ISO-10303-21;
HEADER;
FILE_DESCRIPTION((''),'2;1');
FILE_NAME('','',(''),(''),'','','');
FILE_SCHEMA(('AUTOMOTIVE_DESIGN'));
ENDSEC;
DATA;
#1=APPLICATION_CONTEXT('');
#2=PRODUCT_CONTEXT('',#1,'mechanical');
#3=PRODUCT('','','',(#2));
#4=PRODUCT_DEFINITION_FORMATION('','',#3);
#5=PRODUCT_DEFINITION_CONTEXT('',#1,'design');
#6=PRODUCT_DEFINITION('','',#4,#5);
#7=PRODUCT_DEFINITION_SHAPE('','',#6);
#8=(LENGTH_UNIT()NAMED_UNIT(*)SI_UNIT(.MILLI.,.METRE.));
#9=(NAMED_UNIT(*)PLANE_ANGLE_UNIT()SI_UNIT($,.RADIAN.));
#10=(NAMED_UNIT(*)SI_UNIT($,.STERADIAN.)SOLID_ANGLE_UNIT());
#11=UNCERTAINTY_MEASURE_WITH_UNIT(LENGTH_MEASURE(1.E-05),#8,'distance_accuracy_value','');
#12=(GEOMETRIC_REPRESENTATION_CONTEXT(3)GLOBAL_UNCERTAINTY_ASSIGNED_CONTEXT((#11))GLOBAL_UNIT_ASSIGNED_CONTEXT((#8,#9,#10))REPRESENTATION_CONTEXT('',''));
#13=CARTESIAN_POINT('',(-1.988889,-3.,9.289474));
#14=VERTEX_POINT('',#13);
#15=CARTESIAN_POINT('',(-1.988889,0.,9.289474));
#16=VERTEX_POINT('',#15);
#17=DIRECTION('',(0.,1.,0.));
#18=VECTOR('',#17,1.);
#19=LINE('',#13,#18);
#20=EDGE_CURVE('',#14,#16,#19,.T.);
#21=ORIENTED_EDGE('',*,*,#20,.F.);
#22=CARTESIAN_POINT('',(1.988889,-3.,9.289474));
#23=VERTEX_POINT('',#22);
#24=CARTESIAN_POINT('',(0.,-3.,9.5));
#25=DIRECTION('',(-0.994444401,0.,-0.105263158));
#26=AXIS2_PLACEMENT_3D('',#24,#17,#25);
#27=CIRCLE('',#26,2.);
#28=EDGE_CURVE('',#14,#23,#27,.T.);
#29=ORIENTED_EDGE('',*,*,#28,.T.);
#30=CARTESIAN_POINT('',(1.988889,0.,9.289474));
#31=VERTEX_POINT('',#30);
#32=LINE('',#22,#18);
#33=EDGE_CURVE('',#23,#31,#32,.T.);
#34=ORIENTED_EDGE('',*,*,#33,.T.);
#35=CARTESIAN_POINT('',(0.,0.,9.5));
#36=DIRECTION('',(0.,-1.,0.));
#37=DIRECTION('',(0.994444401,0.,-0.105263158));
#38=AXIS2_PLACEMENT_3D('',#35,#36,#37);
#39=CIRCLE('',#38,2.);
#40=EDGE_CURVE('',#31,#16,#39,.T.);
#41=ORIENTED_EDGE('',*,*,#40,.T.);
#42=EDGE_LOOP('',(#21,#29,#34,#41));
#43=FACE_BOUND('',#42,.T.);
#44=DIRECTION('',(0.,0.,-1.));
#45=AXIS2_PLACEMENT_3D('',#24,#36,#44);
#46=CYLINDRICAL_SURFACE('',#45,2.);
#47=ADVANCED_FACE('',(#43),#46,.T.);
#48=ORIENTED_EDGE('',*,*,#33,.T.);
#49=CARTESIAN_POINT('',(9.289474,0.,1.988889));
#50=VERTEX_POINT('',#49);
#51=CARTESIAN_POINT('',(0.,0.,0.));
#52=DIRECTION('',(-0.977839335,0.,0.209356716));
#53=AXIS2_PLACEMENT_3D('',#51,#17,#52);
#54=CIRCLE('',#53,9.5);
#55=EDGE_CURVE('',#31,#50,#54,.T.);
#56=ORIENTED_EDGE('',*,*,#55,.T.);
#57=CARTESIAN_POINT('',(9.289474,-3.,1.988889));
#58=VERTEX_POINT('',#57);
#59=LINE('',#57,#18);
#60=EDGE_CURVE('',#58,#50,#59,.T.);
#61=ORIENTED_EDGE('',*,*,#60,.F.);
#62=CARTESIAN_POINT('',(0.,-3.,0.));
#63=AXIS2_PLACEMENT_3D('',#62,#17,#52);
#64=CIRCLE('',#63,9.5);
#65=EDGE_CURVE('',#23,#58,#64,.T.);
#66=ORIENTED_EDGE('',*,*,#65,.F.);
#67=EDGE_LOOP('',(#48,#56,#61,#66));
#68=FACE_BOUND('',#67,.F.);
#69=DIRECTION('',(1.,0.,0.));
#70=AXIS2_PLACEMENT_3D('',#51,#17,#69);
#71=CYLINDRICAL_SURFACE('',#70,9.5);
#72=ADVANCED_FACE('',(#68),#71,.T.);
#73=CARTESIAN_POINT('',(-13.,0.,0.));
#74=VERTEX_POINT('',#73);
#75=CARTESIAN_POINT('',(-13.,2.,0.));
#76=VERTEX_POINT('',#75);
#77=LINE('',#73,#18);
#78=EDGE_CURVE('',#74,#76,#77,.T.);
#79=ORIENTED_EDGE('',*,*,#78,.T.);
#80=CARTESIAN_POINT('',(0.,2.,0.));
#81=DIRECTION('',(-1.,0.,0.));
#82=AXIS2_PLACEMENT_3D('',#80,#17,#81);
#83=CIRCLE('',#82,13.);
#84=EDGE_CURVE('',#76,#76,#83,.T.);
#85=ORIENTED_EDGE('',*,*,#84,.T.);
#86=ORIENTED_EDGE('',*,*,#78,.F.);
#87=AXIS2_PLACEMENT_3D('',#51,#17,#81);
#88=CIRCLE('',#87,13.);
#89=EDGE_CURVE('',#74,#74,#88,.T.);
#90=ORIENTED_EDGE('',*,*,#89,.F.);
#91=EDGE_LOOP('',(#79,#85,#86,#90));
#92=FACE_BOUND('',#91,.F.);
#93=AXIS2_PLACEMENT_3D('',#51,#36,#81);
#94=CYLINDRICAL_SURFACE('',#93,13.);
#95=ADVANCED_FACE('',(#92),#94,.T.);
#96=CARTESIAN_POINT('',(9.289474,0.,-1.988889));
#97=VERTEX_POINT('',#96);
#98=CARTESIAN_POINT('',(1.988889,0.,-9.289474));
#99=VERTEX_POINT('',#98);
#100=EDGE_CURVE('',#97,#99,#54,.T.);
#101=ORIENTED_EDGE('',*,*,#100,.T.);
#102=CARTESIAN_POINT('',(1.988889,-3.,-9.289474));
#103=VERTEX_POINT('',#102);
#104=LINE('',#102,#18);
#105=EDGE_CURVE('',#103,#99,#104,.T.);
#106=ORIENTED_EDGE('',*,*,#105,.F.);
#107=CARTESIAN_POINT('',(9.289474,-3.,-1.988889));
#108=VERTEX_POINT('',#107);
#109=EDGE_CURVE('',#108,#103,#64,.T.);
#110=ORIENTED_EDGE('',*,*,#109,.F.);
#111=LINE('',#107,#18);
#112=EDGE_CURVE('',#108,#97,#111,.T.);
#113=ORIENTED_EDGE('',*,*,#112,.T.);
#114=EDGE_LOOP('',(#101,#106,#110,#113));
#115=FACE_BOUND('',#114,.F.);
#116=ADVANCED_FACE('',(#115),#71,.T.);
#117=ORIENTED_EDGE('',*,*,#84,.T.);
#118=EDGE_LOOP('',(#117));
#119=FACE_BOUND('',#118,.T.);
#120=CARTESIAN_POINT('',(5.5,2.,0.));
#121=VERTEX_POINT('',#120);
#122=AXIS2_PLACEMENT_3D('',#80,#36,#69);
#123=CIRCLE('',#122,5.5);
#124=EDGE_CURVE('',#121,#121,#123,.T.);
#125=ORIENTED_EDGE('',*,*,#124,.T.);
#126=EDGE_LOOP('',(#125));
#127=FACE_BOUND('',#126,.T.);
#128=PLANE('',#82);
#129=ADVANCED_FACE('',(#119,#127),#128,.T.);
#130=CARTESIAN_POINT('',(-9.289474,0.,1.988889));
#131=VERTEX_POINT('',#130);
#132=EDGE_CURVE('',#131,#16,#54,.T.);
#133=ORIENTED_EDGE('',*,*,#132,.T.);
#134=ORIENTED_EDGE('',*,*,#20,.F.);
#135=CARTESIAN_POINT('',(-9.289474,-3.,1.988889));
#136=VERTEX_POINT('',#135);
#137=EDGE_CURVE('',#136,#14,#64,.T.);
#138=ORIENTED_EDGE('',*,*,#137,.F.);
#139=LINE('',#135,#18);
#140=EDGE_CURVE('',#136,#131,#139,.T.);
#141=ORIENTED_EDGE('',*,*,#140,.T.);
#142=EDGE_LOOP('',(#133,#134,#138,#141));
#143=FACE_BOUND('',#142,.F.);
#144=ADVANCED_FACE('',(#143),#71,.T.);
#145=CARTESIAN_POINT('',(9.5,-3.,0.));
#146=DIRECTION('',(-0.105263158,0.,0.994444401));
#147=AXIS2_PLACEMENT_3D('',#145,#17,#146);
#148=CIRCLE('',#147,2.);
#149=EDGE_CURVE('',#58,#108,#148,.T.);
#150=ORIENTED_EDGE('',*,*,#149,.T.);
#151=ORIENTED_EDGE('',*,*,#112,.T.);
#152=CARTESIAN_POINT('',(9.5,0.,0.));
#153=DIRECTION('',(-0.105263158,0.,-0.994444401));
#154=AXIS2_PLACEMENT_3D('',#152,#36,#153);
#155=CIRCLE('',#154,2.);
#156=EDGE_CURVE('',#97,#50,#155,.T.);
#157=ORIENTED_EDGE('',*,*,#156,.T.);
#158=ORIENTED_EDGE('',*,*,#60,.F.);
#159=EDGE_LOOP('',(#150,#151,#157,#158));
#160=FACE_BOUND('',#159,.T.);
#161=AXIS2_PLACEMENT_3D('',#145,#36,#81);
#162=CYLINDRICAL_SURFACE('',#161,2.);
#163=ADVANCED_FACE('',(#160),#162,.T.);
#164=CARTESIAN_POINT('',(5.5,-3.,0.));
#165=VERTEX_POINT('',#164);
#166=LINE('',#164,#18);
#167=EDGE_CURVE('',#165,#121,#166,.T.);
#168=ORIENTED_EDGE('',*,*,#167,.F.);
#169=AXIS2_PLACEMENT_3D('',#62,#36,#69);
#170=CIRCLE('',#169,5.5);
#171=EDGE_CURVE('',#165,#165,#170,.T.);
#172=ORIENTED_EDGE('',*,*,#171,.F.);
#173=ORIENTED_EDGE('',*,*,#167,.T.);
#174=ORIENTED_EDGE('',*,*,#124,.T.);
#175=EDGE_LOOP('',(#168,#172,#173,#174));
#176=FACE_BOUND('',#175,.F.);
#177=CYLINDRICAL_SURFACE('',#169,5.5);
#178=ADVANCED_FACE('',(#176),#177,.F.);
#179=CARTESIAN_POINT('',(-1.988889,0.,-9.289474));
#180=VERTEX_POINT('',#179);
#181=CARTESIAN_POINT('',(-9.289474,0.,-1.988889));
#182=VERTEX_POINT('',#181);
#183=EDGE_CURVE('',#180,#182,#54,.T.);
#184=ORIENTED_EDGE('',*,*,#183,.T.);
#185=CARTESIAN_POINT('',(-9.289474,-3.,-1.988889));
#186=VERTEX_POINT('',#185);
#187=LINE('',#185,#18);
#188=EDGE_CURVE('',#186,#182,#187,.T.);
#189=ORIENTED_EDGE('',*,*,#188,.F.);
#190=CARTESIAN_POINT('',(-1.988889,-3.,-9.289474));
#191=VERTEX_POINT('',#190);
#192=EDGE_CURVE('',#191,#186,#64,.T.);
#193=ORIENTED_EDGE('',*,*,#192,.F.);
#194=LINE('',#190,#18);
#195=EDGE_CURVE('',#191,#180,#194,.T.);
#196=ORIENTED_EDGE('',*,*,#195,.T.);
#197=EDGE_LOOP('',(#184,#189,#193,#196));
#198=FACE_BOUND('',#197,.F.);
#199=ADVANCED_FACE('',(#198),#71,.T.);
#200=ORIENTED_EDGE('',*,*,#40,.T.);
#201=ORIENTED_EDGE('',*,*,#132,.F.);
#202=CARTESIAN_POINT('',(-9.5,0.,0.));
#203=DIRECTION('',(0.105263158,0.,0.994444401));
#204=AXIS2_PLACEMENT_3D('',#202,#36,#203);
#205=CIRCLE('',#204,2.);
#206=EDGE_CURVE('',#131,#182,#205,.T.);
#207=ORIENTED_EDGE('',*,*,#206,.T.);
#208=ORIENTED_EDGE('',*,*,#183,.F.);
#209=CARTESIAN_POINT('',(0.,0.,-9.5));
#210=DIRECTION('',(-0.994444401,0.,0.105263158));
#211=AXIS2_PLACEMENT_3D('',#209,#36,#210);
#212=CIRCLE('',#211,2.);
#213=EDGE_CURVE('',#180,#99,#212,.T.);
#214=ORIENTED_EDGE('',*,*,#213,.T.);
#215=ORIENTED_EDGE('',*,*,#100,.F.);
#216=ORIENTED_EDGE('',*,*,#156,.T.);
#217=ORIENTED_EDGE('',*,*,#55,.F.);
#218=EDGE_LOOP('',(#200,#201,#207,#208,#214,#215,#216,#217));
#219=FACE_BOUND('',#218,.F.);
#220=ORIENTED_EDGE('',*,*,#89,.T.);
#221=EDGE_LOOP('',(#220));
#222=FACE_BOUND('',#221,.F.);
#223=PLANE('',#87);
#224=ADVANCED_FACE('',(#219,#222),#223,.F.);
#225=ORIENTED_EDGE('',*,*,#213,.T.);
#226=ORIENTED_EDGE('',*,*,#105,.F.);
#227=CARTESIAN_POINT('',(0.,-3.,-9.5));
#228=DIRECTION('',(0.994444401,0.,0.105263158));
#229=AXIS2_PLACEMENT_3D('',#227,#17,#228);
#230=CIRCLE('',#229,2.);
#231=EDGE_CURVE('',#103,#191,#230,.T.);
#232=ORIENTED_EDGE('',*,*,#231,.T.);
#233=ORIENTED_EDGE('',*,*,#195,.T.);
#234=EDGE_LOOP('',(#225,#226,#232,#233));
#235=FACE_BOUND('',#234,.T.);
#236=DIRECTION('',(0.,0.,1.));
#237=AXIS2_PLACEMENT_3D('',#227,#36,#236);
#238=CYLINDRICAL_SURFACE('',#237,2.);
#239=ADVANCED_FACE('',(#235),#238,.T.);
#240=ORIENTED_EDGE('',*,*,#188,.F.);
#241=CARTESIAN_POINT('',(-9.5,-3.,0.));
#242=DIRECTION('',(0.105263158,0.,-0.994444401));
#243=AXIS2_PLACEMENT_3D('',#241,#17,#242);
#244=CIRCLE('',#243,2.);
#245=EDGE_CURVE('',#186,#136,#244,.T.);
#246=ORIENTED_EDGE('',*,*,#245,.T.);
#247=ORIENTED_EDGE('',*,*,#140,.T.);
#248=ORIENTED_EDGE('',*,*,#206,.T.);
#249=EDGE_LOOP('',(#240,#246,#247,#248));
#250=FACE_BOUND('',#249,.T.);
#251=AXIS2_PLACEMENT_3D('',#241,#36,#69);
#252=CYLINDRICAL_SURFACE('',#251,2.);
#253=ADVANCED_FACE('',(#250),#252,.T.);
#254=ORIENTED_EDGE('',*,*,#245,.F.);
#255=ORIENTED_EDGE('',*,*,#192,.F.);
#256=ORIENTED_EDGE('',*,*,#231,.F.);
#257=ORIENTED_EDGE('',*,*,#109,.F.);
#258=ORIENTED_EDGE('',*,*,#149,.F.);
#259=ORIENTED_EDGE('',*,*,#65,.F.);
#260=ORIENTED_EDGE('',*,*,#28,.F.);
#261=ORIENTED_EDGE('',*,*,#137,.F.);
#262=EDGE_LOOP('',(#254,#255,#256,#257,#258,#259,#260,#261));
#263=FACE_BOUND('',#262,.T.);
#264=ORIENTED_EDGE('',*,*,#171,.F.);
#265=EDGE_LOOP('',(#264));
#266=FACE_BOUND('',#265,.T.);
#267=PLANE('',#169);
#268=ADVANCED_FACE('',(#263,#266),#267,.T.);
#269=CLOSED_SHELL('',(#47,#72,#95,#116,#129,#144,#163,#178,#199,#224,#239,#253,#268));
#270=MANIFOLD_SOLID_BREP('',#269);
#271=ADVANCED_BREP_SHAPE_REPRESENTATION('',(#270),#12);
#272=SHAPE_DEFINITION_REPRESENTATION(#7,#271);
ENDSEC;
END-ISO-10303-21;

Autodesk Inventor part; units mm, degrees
ref_plane "YZ Plane" through (0, 0, 0) normal (1, 0, 0) x (0, 1, 0)
ref_plane "XZ Plane" through (0, 0, 0) normal (0, 1, 0) x (-1, 0, 0)
ref_plane "XY Plane" through (0, 0, 0) normal (0, 0, 1) x (1, 0, 0)
sketch "Sketch8" plane through (0, 0, 0) normal (0, 1, 0) x (-1, 0, 0)
  circle A0 centre (0, 0) radius 13
  dimension "d25" = 26
extrude "Extrusion8" add sketch "Sketch8" along normal blind 2
sketch "Sketch9" plane through (0, 0, 0) normal (0, -1, 0) x (1, 0, 0)
  circle A0 centre (0, 0) radius 9.5
  dimension "d28" = 19
extrude "Extrusion9" add sketch "Sketch9" along normal blind 3
sketch "Sketch10" plane through (0, -3, 0) normal (0, -1, 0) x (1, 0, 0)
  circle A0 centre (0, 0) radius 9.5 projected
  circle A1 centre (-9.5, 0) radius 2
  line L0 (-18.2, 0) -> (18.2, 0) projected
  point P0 (-9.2895, -1.9889)
  point P1 (-9.2895, 1.9889)
  dimension "d31" = 4
extrude "Extrusion10" add sketch "Sketch10" against normal up to surface (3 mm away) contours A0 L0 A1 | A1 L0 A0 picked at (-10.0838, 0.5297) picked at (-10.0838, -0.5297)
pattern_circular "Circular Pattern2" count 4 over 360 about axis through (0, 0, 0) along (0, -1, 0) of "Extrusion10"
sketch "Sketch11" plane through (0, -3, 0) normal (0, -1, 0) x (1, 0, 0)
  circle A0 centre (0, 0) radius 5.5
  dimension "d41" = 11
extrude "Extrusion11" cut sketch "Sketch11" against normal up to surface (5 mm away)
properties part number "Tapa"
